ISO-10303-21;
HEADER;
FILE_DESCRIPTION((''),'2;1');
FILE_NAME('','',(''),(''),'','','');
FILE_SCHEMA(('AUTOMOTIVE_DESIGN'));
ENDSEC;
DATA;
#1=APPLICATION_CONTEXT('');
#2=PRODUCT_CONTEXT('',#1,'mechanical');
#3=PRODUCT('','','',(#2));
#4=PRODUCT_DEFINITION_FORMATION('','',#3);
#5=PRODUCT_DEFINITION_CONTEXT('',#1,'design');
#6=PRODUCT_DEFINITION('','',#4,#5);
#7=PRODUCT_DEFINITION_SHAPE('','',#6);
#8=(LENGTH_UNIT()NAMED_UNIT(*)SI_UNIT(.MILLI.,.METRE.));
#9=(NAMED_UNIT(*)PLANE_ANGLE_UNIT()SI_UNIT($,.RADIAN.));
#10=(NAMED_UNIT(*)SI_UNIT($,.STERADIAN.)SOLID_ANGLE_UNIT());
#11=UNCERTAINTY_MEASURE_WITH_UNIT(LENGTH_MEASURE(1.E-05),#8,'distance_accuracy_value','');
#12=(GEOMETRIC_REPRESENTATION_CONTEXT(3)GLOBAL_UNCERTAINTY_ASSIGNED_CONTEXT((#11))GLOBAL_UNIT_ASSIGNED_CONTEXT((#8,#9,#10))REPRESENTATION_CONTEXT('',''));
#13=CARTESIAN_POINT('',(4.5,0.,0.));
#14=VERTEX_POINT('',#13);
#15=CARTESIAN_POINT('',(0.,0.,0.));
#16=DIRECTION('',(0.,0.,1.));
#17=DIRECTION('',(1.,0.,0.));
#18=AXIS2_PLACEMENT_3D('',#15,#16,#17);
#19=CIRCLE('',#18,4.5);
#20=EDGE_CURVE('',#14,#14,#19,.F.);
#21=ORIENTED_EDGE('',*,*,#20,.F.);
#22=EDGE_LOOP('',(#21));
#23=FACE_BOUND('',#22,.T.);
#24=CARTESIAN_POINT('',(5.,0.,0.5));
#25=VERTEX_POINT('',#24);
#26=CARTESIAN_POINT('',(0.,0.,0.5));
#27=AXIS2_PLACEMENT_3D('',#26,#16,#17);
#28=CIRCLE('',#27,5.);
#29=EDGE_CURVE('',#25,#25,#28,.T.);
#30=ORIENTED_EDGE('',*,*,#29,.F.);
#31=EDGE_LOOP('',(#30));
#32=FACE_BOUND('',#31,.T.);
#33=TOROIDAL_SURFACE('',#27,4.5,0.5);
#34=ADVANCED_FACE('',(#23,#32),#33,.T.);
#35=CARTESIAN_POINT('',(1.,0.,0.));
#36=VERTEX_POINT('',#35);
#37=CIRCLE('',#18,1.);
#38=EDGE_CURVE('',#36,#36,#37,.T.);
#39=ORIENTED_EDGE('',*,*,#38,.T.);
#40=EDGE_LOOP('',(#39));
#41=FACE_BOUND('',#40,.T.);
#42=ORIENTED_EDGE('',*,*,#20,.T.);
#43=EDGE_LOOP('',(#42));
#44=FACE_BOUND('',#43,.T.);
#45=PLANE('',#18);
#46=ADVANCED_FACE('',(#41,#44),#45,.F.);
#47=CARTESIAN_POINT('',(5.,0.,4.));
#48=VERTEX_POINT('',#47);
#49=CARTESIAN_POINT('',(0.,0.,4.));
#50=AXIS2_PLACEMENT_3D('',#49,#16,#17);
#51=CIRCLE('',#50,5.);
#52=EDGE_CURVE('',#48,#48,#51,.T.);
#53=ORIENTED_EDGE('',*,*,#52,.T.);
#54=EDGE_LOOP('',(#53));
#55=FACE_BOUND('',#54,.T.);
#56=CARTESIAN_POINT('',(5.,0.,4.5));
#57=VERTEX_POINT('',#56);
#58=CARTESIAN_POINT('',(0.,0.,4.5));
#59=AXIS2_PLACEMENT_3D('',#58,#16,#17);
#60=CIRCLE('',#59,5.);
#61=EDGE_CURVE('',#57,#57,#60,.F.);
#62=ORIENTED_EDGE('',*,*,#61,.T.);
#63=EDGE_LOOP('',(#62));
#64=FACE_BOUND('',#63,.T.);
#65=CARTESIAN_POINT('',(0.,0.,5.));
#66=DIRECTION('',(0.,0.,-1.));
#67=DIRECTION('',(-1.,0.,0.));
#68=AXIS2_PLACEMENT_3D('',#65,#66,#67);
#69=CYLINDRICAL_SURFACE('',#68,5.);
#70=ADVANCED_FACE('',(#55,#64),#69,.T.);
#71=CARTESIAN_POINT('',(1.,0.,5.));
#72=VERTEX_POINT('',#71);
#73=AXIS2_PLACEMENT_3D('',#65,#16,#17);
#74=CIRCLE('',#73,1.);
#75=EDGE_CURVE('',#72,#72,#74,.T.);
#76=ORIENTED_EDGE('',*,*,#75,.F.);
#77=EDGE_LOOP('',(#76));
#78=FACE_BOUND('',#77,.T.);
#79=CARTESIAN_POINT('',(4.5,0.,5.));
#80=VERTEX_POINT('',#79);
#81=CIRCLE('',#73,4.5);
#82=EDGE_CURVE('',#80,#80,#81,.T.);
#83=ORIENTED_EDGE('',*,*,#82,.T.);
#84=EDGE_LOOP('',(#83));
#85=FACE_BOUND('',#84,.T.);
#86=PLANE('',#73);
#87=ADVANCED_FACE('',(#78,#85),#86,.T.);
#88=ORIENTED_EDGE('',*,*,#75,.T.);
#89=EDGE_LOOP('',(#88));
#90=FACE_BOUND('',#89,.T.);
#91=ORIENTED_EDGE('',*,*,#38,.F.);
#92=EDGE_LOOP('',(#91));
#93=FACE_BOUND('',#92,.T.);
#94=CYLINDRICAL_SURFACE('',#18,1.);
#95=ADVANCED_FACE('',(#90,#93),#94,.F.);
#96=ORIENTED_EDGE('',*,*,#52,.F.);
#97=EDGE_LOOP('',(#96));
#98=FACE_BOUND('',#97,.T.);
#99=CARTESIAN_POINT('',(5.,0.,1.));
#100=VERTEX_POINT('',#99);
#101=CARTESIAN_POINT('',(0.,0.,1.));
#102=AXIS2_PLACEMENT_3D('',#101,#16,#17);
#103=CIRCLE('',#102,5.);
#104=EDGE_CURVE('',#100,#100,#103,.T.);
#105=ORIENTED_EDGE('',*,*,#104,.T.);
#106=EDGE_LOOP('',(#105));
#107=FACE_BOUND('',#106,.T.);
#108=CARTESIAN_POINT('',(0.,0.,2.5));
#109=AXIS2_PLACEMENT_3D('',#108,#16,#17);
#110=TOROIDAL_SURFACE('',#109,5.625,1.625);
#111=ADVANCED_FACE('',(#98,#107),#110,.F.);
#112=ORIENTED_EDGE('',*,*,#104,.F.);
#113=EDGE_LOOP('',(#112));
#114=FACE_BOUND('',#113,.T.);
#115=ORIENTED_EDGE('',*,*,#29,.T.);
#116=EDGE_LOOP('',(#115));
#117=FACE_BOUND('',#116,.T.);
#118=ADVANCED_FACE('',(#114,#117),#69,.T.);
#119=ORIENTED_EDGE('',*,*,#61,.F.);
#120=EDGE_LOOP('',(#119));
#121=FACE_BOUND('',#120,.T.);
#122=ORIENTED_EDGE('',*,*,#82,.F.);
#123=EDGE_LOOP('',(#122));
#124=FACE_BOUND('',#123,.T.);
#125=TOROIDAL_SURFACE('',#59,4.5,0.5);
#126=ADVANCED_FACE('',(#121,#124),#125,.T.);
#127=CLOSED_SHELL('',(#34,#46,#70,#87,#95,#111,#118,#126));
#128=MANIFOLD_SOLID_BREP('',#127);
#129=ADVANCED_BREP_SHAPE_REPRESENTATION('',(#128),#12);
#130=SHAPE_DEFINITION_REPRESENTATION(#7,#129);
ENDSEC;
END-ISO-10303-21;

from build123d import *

# Parameters (mm, degrees)
SKETCH1_R           = 5
BOSS_EXTRUDE1_DEPTH = 5
FILLET1_R           = 0.5
SKETCH4_R           = 1
CUT_EXTRUDE1_DEPTH  = 5


with BuildPart() as part:
    # Sketch1 → Boss-Extrude1 (new body)
    with BuildSketch(Plane.XY):
        Circle(SKETCH1_R)
    extrude(amount=BOSS_EXTRUDE1_DEPTH)

    # Sketch2 → Cut-Revolve1 (revolve, cut)
    with BuildSketch(Plane(origin=(0, 0, 0), x_dir=(0, 0, -1), z_dir=(1, 0, 0))):
        with BuildLine():
            Line((-4, 5), (-1, 5))
            ThreePointArc((-1, 5), (-2.5, 4), (-4, 5))
        make_face()
    revolve(axis=Axis((0, 0, 5.25), (0, 0, -1)), mode=Mode.SUBTRACT)

    # Fillet1
    fillet1_edges = [part.edges().sort_by_distance(p)[0] for p in [
        (-5, 0, 0),
        (-5, 0, 5),
    ]]
    fillet(fillet1_edges, radius=FILLET1_R)

    # Sketch4 → Cut-Extrude1 (cut)
    with BuildSketch(Plane.XY.offset(5)):
        Circle(SKETCH4_R)
    extrude(amount=-CUT_EXTRUDE1_DEPTH, mode=Mode.SUBTRACT)


solid = part.part
